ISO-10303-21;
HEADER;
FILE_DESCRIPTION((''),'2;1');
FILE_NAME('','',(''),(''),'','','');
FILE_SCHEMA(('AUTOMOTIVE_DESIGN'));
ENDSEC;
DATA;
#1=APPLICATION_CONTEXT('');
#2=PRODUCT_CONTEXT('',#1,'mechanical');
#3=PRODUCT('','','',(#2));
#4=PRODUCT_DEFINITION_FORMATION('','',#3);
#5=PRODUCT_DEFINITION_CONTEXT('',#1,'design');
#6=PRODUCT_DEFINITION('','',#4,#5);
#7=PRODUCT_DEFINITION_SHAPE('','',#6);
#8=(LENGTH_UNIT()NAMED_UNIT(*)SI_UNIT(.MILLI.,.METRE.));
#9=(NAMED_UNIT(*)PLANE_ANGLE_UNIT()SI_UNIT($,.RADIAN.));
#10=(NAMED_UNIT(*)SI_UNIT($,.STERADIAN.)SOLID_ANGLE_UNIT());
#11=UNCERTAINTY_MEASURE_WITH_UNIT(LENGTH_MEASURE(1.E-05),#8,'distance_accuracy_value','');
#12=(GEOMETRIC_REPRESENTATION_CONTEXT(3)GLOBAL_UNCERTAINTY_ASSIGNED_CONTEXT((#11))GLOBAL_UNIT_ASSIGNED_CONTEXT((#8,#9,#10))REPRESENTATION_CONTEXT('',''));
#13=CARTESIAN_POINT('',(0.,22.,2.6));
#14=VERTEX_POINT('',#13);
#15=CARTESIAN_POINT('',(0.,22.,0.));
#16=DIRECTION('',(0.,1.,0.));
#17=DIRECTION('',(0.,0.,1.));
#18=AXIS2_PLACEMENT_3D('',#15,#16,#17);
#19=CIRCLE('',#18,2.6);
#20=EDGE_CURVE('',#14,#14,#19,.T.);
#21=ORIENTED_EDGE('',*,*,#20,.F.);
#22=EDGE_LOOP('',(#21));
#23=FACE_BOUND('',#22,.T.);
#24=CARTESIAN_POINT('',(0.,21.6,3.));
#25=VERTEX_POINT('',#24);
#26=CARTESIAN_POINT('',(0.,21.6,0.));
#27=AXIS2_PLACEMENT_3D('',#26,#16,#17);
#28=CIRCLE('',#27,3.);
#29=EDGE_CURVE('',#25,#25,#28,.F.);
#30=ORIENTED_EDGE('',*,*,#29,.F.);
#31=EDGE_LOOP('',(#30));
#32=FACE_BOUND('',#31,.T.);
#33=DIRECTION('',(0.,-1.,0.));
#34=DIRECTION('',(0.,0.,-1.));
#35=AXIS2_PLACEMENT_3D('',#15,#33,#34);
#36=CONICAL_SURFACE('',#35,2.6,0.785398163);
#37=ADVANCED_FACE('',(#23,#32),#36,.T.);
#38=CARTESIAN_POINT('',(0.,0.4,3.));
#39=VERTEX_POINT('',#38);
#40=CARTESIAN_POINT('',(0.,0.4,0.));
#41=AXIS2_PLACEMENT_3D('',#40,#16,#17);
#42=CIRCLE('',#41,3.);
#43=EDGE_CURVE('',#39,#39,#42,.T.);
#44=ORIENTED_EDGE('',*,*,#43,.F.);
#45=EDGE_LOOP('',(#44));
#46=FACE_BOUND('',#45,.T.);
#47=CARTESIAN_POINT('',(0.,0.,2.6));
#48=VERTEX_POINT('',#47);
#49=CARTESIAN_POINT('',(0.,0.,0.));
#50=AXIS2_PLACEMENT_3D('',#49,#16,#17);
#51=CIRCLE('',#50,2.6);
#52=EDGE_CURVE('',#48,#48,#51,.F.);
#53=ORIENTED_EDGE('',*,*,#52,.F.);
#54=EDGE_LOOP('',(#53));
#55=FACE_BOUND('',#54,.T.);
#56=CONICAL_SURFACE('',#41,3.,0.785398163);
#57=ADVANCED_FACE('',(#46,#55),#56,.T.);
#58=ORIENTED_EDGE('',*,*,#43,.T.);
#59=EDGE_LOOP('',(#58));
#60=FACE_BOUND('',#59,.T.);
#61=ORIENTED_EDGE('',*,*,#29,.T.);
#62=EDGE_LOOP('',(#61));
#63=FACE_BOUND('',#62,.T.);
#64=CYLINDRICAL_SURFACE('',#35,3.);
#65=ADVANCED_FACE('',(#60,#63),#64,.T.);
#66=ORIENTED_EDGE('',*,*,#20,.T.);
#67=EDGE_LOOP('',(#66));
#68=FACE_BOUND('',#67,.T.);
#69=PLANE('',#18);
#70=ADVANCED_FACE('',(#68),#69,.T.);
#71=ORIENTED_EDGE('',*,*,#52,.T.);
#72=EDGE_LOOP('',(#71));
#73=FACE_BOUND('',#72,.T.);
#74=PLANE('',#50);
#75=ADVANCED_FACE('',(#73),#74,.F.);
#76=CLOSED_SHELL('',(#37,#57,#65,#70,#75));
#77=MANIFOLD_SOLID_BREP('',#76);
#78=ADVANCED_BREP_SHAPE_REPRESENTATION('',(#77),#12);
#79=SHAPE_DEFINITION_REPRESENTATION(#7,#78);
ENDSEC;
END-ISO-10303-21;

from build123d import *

# Parameters (mm, degrees)
SKETCH1_R           = 3
BOSS_EXTRUDE1_DEPTH = 22
CHAMFER1_SIZE       = 0.4


with BuildPart() as part:
    # Sketch1 → Boss-Extrude1 (new body)
    with BuildSketch(Plane(origin=(0, 0, 0), x_dir=(1, 0, 0), z_dir=(0, 1, 0))):
        Circle(SKETCH1_R)
    extrude(amount=BOSS_EXTRUDE1_DEPTH)

    # Chamfer1
    chamfer1_edges = [part.edges().sort_by_distance(p)[0] for p in [
        (-3, 0, 0),
        (-3, 22, 0),
    ]]
    chamfer(chamfer1_edges, length=CHAMFER1_SIZE)


solid = part.part
